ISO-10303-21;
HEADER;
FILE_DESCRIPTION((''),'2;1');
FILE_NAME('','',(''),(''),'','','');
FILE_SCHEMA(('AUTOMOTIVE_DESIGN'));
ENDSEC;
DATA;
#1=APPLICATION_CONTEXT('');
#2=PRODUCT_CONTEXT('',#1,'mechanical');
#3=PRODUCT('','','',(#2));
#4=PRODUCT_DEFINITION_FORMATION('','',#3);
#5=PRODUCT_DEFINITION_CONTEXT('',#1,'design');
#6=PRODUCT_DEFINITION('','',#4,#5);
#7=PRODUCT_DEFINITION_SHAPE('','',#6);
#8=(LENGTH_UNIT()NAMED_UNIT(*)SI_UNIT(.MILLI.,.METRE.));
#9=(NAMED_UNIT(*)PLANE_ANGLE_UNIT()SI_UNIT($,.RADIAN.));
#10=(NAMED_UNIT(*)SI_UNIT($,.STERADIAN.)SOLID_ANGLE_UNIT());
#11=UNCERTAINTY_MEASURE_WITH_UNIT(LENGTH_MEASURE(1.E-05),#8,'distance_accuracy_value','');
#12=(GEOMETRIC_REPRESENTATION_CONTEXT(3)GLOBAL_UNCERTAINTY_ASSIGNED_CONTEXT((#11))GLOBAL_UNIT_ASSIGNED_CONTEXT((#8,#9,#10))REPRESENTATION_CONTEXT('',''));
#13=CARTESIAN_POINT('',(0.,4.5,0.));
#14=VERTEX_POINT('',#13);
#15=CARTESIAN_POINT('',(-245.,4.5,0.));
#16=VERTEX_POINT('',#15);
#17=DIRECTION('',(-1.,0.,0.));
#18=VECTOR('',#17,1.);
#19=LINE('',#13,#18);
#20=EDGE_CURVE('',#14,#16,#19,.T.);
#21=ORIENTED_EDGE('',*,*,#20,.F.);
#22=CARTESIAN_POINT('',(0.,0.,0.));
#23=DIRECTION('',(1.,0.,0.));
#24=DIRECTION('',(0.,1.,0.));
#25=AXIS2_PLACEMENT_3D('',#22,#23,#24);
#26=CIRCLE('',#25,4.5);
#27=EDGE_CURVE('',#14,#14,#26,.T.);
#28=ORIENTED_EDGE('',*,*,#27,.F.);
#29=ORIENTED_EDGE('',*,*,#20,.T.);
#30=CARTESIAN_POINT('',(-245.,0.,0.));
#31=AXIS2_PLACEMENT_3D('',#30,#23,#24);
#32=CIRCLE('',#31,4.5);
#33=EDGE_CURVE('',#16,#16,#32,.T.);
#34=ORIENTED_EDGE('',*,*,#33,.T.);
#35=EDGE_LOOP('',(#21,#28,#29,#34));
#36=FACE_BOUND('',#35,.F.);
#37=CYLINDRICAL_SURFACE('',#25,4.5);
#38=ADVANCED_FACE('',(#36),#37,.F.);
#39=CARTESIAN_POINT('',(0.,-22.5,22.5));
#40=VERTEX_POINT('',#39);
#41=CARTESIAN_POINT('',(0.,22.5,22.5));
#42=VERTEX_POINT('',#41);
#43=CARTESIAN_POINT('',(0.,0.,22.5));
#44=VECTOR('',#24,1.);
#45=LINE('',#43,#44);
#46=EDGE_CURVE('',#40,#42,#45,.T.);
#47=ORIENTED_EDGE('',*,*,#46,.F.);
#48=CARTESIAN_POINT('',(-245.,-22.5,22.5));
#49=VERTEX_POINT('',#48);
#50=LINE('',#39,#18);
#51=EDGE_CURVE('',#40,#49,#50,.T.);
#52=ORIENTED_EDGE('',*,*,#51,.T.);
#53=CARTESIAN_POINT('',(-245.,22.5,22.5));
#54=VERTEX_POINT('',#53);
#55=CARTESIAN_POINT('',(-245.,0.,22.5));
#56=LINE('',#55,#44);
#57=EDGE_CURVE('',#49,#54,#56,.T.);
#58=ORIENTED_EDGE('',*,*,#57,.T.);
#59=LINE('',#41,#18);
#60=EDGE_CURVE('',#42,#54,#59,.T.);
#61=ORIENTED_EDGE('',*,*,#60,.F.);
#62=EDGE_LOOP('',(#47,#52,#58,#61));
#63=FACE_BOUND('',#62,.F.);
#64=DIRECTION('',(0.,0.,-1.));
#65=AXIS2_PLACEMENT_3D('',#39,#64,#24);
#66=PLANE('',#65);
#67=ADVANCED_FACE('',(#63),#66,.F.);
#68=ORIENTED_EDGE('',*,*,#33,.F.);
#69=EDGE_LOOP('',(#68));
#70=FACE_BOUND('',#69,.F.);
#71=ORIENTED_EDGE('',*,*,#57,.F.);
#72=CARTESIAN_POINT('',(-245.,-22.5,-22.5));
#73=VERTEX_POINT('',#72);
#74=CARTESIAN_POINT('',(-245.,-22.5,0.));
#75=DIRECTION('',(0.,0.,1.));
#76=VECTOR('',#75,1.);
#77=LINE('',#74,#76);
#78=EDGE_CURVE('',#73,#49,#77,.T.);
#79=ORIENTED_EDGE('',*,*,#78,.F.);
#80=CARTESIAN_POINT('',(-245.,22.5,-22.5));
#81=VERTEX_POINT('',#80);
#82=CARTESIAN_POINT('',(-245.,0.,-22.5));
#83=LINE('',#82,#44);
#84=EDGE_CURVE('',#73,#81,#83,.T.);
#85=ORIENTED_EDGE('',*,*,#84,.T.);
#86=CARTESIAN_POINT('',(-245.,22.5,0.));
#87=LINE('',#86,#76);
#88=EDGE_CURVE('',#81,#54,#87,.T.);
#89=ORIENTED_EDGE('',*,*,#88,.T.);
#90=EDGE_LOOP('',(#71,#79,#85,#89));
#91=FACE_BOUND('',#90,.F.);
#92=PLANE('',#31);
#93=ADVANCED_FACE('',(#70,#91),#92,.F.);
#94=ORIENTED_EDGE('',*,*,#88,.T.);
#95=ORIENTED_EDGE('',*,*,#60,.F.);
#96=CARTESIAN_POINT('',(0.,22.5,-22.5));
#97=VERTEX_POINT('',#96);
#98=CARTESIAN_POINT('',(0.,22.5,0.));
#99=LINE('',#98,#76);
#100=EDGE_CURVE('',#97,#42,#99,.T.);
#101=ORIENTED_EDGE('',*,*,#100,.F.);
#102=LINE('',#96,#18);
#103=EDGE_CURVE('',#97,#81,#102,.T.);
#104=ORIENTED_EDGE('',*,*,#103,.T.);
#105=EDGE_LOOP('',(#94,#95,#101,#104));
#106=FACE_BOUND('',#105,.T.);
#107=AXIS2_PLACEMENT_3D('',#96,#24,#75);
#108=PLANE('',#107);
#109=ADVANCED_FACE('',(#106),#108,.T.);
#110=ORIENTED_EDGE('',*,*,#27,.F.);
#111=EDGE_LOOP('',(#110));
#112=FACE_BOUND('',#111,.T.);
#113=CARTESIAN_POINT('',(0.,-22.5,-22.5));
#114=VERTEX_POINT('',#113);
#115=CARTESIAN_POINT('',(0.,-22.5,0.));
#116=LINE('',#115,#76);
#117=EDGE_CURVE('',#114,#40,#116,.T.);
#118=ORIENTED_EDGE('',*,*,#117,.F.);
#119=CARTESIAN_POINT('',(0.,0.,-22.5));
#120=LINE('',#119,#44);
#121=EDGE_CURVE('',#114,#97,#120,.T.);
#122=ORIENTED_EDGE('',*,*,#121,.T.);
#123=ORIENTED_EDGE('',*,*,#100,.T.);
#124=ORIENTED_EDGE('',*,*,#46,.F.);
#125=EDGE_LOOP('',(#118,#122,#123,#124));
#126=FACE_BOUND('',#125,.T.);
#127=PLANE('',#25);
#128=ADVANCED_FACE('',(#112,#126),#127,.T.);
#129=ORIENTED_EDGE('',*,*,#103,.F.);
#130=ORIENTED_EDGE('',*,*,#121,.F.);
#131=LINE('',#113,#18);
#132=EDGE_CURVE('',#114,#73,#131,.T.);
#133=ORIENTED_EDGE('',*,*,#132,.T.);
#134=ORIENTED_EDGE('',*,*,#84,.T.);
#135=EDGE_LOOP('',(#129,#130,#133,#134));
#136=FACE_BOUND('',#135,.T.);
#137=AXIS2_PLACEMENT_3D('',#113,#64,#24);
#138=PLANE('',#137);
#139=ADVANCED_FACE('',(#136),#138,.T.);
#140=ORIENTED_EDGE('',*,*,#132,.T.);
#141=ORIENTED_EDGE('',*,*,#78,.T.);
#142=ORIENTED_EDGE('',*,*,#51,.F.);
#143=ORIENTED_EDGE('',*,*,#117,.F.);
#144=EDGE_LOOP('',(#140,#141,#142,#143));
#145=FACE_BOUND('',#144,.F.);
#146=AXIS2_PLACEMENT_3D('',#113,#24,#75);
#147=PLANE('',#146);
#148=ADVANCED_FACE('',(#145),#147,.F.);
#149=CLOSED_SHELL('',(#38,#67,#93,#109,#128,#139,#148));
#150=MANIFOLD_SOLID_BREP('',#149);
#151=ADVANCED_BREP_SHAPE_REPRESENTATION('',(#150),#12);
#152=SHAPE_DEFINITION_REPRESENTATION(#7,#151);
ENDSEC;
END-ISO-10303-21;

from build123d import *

# Parameters (mm, degrees)
F0_W     = 45
F0_H     = 45
F0_R     = 4.5
F1_DEPTH = 245


with BuildPart() as f1:
    # F0 (on Right) → F1 (new body)
    with BuildSketch(Plane.YZ):
        Rectangle(F0_W, F0_H)
        Circle(F0_R, mode=Mode.SUBTRACT)
    extrude(amount=-F1_DEPTH)


solid = f1.part
